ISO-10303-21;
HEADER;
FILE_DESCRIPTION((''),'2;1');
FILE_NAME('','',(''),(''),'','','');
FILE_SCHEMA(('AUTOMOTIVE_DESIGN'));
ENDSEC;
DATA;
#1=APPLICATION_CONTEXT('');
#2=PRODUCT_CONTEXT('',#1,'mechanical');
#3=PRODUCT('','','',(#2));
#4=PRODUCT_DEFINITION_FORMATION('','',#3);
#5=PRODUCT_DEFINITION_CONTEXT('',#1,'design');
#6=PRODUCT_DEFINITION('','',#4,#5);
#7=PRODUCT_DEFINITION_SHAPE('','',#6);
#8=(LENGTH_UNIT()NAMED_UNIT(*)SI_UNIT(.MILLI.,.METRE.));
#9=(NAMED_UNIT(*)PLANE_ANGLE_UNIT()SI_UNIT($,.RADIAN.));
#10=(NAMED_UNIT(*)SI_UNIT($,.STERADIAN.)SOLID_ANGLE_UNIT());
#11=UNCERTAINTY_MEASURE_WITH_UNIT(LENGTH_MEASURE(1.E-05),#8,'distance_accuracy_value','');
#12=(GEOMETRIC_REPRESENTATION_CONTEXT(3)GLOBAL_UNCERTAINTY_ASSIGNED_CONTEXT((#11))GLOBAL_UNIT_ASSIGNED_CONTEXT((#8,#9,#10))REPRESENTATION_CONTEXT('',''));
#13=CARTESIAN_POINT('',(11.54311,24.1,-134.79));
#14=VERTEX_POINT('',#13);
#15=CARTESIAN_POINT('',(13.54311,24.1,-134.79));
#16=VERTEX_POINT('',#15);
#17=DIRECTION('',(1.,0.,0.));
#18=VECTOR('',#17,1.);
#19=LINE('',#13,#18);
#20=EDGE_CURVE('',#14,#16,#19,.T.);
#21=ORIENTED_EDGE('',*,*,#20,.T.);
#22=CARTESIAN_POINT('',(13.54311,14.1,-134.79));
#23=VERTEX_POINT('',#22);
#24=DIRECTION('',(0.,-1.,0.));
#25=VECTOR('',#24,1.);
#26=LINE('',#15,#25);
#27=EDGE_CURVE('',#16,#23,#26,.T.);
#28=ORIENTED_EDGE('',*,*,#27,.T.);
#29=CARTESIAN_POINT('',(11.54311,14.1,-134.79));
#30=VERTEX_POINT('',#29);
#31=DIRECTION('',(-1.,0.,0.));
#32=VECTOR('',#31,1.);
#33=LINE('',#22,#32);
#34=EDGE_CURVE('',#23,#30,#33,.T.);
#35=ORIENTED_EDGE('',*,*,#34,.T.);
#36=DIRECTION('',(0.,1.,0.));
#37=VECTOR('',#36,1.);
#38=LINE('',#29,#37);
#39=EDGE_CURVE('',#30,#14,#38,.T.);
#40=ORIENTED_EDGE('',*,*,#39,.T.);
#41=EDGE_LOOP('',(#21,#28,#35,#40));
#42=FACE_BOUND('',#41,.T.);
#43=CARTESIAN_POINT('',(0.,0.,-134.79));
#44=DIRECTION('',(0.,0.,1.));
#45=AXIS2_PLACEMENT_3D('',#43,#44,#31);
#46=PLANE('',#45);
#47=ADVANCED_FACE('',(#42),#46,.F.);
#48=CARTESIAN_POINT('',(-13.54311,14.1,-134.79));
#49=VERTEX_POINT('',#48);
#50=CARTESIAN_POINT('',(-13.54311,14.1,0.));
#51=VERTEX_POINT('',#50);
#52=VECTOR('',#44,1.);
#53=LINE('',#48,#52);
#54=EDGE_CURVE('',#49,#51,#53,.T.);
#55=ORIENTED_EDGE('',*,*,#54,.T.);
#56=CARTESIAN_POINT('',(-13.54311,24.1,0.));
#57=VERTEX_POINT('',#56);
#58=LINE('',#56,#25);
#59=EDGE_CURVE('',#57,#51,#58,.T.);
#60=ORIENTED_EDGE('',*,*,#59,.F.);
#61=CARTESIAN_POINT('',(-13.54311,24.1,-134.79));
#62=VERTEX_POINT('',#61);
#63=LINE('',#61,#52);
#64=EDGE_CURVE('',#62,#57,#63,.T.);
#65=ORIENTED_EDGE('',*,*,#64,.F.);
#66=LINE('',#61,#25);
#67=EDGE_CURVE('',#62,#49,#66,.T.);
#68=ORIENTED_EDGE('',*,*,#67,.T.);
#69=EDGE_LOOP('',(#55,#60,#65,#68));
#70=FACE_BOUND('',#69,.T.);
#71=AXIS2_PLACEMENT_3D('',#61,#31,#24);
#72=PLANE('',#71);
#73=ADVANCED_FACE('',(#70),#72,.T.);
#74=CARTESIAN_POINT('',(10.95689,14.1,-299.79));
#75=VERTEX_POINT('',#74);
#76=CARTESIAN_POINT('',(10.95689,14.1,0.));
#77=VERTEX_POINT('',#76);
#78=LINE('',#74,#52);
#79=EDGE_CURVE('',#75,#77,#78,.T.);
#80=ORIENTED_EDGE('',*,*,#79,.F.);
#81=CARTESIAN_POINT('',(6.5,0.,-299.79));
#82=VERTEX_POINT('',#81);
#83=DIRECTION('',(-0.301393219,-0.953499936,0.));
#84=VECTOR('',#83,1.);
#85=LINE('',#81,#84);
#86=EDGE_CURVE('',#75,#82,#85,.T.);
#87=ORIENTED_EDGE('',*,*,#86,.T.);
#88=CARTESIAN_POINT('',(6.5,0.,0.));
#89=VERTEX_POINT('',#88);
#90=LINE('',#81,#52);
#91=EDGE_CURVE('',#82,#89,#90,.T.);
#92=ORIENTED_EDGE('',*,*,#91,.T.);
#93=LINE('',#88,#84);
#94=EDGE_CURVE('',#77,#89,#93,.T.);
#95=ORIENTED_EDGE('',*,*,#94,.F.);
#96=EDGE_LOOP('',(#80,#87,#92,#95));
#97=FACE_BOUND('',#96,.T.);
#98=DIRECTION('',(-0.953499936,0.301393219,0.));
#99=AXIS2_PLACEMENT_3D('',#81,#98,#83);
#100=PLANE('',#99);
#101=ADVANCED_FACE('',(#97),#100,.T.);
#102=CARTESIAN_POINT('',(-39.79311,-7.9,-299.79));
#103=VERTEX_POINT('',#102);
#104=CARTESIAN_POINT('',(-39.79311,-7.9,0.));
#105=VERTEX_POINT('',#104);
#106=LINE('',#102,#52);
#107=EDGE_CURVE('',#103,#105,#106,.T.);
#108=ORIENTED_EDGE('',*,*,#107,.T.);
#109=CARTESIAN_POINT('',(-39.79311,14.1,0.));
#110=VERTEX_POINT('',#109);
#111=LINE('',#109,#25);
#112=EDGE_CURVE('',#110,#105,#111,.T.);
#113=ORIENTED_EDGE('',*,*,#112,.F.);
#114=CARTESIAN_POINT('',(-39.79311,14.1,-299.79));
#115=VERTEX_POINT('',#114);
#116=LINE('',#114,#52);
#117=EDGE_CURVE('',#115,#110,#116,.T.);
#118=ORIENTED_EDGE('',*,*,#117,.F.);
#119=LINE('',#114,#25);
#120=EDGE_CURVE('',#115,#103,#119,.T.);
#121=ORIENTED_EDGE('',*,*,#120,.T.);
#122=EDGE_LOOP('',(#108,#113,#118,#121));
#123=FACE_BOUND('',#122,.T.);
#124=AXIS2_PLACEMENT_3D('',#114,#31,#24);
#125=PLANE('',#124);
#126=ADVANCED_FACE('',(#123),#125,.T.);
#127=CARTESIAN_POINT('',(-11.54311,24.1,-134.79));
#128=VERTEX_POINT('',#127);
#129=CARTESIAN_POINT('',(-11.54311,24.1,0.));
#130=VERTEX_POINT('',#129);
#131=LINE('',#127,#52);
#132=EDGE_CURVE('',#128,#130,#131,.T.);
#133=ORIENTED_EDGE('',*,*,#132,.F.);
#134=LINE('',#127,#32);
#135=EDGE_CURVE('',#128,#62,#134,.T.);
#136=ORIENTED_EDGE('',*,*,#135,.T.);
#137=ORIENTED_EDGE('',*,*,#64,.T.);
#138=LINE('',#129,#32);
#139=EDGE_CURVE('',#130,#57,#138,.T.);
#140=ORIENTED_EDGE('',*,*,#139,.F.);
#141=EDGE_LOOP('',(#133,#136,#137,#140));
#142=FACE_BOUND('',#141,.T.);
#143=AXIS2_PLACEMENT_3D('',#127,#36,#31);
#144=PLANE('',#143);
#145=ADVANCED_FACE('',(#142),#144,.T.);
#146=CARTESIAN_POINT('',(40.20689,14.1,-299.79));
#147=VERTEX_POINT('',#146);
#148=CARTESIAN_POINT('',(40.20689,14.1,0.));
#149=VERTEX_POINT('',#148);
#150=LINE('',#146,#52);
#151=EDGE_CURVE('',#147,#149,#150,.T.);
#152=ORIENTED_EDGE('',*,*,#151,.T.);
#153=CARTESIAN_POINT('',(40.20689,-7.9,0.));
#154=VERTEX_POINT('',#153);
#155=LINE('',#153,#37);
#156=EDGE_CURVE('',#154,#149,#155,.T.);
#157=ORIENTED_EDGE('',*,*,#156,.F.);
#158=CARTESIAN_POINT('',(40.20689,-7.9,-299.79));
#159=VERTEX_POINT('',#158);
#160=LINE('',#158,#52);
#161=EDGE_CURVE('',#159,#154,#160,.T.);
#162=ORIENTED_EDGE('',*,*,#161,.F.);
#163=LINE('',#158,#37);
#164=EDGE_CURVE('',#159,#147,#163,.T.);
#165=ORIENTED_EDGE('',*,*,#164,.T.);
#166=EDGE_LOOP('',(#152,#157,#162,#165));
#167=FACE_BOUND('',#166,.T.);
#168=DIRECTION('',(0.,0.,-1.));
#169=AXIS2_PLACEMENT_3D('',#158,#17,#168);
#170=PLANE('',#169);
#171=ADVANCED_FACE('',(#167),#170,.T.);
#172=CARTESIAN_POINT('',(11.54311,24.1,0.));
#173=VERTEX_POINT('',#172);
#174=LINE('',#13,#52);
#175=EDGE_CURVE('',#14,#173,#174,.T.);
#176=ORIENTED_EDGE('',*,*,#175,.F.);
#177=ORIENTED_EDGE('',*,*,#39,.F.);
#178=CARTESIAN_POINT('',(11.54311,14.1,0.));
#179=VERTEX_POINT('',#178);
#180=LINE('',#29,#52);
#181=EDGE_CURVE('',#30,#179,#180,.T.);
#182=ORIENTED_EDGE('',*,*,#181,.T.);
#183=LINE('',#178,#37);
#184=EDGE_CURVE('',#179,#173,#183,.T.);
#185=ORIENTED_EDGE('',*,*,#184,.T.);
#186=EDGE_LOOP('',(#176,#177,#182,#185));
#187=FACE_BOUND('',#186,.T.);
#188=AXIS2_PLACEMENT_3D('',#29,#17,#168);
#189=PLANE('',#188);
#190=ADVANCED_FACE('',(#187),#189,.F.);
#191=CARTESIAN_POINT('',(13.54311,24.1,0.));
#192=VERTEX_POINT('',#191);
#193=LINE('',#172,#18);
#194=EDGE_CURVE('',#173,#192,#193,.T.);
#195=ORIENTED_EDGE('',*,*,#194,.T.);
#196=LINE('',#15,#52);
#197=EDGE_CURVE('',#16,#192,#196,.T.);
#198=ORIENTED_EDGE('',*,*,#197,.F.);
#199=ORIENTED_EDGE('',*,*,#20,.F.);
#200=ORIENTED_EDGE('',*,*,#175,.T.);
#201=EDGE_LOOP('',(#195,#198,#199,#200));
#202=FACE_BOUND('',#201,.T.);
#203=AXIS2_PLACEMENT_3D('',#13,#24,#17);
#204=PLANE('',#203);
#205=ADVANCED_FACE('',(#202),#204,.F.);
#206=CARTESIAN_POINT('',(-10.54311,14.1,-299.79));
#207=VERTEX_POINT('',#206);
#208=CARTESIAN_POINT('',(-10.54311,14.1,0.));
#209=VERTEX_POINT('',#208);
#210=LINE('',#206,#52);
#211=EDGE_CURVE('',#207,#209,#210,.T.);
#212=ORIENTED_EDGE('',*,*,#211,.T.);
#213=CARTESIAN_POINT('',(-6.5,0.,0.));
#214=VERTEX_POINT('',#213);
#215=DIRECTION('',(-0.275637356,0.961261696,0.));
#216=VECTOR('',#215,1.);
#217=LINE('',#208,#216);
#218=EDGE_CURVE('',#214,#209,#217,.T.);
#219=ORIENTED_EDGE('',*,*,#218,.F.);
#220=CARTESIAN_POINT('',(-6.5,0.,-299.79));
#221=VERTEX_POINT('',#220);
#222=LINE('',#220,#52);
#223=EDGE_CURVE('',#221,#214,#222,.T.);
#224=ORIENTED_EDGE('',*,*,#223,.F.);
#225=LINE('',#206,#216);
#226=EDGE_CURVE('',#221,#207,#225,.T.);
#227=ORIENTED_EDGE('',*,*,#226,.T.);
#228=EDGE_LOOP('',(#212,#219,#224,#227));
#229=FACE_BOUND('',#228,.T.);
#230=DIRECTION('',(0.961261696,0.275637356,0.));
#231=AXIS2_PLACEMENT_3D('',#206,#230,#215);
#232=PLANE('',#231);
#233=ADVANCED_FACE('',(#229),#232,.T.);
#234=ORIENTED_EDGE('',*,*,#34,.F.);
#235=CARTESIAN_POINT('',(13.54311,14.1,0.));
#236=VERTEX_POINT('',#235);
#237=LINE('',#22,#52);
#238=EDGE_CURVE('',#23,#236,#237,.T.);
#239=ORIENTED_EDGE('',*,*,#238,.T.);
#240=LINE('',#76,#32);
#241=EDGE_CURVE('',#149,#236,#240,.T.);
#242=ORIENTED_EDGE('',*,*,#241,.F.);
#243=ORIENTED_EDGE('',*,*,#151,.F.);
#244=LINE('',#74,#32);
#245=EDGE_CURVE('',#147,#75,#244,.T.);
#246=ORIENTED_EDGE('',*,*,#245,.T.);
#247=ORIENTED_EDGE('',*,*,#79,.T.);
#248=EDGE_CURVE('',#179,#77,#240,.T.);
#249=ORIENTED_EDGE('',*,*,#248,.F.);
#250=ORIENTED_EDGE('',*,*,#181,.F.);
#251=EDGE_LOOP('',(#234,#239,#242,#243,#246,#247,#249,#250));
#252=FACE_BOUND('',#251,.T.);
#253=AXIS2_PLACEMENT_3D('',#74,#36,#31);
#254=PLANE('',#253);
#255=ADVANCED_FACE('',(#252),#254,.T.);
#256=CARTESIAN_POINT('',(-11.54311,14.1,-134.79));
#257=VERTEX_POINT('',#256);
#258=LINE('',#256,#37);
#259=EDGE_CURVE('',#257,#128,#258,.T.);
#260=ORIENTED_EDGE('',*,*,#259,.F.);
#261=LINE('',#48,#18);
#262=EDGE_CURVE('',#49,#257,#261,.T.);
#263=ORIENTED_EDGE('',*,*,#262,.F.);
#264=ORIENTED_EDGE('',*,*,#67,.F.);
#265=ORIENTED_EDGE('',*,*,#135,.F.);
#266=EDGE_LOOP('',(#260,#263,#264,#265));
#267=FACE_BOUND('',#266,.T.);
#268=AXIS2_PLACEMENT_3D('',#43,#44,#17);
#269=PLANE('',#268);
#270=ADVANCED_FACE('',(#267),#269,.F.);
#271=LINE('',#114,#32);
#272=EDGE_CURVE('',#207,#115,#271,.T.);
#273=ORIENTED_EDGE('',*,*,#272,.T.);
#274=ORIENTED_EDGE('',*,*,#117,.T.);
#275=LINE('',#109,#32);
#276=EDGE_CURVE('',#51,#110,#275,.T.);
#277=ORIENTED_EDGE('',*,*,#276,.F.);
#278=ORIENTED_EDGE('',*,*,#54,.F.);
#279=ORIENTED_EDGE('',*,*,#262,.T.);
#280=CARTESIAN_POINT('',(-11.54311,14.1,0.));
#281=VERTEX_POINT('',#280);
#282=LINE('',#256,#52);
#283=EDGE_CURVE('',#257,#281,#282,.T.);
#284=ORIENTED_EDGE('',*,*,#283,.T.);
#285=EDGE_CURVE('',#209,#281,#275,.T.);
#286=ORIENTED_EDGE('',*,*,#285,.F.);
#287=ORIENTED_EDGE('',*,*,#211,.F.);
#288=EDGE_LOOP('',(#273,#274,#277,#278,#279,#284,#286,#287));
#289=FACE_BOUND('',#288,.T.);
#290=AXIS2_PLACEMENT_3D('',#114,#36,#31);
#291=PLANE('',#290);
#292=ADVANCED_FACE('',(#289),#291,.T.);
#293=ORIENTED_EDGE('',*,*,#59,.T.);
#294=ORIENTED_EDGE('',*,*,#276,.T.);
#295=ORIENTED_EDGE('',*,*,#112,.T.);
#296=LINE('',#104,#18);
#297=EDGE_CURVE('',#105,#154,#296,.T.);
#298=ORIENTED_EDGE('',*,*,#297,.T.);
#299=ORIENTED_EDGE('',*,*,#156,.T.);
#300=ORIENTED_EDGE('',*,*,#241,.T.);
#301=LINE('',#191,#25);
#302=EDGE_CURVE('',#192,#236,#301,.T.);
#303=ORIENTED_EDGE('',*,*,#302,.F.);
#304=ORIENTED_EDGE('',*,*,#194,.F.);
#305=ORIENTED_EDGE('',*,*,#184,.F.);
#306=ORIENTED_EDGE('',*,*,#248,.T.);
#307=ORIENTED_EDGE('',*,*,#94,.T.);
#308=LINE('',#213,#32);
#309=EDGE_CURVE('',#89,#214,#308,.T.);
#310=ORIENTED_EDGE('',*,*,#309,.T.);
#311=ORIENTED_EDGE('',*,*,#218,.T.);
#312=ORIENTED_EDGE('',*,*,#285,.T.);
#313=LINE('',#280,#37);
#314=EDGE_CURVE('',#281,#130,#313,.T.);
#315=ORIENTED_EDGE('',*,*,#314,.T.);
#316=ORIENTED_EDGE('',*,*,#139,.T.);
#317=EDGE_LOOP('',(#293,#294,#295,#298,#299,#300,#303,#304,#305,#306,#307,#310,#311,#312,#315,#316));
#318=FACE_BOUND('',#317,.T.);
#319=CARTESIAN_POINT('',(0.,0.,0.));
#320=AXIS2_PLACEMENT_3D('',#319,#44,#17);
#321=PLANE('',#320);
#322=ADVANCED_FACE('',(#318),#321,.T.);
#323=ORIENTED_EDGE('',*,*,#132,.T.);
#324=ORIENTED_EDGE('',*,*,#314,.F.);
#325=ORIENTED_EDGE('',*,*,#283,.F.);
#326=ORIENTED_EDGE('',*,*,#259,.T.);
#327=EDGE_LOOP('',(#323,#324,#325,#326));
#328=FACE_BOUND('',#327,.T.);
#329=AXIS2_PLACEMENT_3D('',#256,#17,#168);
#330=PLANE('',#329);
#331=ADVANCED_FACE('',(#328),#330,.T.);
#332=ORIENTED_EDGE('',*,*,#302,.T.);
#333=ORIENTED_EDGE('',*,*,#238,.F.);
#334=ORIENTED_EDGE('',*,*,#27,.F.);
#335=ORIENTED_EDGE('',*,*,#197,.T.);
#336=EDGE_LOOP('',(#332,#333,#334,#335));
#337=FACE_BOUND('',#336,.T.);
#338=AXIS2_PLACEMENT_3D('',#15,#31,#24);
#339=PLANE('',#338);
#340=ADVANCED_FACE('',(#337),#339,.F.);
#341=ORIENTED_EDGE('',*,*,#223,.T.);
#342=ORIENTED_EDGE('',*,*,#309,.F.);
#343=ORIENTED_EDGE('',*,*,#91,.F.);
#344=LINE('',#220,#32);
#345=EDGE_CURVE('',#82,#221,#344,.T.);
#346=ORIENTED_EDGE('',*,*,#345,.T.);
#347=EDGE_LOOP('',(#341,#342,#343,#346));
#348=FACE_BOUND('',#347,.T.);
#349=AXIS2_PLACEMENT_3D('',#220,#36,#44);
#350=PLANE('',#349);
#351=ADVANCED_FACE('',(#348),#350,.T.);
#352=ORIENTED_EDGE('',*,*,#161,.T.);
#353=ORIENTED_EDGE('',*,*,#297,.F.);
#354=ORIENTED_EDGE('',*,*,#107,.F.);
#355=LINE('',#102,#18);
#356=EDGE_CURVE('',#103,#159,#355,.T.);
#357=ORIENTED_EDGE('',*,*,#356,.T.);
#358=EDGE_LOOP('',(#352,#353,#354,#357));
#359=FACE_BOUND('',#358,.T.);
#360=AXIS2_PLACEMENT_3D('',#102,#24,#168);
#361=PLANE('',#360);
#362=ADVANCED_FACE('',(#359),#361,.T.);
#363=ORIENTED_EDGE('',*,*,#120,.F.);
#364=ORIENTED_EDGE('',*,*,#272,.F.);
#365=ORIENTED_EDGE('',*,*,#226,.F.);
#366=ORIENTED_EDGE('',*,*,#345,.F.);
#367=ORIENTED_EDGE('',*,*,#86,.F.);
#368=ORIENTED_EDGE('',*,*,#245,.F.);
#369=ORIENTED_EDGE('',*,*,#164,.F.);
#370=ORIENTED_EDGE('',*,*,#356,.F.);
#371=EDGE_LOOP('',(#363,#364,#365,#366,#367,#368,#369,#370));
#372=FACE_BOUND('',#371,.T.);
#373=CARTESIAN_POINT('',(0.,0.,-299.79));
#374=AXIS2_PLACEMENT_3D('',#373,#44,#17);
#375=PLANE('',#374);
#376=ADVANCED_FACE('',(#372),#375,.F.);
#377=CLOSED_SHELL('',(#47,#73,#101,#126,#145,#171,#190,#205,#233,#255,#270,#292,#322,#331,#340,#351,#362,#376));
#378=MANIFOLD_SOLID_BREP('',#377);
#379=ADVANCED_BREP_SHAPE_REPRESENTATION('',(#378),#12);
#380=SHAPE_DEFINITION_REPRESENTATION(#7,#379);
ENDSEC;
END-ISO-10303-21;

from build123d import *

# Parameters (mm, degrees)
SALIENTE_EXTRUIR1_DEPTH = 299.79
CROQUIS2_W              = 2
CROQUIS2_H              = 10
SALIENTE_EXTRUIR2_DEPTH = 134.79


with BuildPart() as part:
    # Croquis1 → Saliente-Extruir1 (new body)
    with BuildSketch(Plane.XY):
        Polygon((-6.5, 0), (6.5, 0), (10.956890061, 14.1), (40.206890061, 14.1), (40.206890061, -7.9), (-39.793109939, -7.9), (-39.793109939, 14.1), (-10.543109939, 14.1), align=None)
    extrude(amount=-SALIENTE_EXTRUIR1_DEPTH)

    # Croquis2 → Saliente-Extruir2 (add)
    with BuildSketch(Plane.XY):
        with Locations((-12.543109939, 19.1)):
            Rectangle(CROQUIS2_W, CROQUIS2_H)
    saliente_extruir2 = extrude(amount=-SALIENTE_EXTRUIR2_DEPTH)

    # Simetría1: Saliente-Extruir2 across plane
    add(saliente_extruir2.mirror(Plane(origin=(0, 0, 0), x_dir=(0, 0, 1), z_dir=(1, 0, 0))))


solid = part.part
